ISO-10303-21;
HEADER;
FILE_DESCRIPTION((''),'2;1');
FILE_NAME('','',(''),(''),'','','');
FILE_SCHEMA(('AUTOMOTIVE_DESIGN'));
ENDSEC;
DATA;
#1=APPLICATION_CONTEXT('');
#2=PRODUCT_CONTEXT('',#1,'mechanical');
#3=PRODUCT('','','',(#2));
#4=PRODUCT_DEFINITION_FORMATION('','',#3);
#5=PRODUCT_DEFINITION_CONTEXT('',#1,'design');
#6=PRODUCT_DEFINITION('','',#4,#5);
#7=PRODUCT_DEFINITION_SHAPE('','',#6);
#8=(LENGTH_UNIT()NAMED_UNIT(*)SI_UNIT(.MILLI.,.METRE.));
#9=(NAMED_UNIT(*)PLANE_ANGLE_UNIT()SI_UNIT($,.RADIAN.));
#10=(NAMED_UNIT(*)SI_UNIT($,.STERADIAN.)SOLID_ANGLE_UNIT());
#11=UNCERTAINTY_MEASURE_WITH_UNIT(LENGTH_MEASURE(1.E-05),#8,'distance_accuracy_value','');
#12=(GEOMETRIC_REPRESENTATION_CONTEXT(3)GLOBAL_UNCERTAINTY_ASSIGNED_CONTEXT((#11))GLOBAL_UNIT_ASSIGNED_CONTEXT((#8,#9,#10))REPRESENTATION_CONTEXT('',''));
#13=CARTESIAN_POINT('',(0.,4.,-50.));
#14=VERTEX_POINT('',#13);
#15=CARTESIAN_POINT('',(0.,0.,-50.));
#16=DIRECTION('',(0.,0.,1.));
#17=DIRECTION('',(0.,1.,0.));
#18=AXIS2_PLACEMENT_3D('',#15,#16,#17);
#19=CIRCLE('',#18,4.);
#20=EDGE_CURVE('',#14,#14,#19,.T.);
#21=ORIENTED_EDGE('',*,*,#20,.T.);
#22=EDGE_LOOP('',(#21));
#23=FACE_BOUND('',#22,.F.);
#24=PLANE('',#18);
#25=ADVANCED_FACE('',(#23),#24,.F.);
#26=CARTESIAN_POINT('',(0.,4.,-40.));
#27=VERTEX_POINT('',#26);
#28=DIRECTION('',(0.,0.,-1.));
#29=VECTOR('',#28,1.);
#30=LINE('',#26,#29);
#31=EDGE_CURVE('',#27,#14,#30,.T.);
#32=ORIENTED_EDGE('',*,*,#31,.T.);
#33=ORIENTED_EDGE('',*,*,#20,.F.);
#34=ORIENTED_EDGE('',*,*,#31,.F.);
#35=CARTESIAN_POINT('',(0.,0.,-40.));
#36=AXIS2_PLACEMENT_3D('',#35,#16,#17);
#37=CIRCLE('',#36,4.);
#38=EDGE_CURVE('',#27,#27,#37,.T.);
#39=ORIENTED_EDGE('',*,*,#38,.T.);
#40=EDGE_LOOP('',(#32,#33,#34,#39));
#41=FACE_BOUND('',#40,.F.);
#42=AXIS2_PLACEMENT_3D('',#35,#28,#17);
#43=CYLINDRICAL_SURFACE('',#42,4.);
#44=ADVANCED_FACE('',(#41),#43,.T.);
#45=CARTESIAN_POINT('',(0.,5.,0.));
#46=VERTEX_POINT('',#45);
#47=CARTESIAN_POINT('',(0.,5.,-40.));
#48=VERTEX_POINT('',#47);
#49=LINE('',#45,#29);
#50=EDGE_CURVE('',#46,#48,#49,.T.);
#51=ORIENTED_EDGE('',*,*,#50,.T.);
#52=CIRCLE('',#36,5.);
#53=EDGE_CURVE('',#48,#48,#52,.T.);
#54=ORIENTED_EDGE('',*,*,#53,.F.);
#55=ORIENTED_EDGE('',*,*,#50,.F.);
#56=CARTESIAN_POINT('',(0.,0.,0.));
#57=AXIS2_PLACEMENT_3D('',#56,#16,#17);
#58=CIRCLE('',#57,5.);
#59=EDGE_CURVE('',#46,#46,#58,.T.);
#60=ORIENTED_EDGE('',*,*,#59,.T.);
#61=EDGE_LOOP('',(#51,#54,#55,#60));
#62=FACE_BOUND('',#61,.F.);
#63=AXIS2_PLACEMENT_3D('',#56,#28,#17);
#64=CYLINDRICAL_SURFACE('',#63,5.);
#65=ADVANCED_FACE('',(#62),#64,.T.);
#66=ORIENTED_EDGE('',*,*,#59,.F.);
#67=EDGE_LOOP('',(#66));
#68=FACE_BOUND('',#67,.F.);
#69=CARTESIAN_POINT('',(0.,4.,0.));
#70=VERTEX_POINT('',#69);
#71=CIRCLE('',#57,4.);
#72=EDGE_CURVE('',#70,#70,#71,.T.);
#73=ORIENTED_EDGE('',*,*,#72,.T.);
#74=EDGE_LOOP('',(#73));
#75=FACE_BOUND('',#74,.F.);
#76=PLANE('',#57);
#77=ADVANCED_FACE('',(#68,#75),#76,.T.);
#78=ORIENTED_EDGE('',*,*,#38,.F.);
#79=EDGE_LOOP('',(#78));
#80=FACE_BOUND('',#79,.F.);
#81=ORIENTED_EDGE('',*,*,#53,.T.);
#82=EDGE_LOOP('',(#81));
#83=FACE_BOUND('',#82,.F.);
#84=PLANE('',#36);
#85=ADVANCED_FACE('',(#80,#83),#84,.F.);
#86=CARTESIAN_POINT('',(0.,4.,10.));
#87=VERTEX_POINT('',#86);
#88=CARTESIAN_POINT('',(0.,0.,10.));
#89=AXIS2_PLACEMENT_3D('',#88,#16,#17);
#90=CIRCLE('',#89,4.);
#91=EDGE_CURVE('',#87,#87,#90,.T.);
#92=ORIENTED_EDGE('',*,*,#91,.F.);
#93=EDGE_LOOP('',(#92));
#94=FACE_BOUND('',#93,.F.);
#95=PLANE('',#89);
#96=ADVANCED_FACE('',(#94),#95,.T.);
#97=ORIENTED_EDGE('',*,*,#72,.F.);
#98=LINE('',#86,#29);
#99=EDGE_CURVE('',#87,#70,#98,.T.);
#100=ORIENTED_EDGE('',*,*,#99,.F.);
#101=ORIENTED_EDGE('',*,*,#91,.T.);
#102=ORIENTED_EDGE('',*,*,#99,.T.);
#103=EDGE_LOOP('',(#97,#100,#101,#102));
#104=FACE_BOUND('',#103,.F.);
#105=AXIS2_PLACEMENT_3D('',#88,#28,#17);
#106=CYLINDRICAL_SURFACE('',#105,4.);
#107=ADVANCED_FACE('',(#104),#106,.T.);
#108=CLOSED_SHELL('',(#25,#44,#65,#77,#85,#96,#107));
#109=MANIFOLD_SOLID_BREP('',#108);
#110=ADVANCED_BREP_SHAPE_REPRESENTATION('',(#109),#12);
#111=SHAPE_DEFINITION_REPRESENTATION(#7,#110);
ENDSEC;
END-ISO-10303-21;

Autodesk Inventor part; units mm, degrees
ref_plane "YZ Plane" through (0, 0, 0) normal (1, 0, 0) x (0, 1, 0)
ref_plane "XZ Plane" through (0, 0, 0) normal (0, 1, 0) x (-1, 0, 0)
ref_plane "XY Plane" through (0, 0, 0) normal (0, 0, 1) x (1, 0, 0)
sketch "Sketch1" plane through (0, 0, 0) normal (1, 0, 0) x (0, 1, 0)
  line L0 (0, 10) -> (4, 10)
  line L1 (4, 10) -> (4, 0)
  line L2 (4, 0) -> (5, 0)
  line L3 (5, 0) -> (5, -40)
  line L4 (5, -40) -> (4, -40)
  line L5 (4, -40) -> (4, -50)
  line L6 (4, -50) -> (0, -50)
  line L7 (0, -50) -> (0, 10)
  point P0 (0, 0)
  dimension "d0" = 4
  dimension "d1" = 10
  dimension "d2" = 10
  dimension "d3" = 5
  dimension "d4" = 0
  dimension "d5" = 0
  dimension "d6" = 40
revolve "Revolution1" add sketch "Sketch1" angle 360 about axis through (0, 0, -50) along (0, 0, 1)
properties part number "eixo"
